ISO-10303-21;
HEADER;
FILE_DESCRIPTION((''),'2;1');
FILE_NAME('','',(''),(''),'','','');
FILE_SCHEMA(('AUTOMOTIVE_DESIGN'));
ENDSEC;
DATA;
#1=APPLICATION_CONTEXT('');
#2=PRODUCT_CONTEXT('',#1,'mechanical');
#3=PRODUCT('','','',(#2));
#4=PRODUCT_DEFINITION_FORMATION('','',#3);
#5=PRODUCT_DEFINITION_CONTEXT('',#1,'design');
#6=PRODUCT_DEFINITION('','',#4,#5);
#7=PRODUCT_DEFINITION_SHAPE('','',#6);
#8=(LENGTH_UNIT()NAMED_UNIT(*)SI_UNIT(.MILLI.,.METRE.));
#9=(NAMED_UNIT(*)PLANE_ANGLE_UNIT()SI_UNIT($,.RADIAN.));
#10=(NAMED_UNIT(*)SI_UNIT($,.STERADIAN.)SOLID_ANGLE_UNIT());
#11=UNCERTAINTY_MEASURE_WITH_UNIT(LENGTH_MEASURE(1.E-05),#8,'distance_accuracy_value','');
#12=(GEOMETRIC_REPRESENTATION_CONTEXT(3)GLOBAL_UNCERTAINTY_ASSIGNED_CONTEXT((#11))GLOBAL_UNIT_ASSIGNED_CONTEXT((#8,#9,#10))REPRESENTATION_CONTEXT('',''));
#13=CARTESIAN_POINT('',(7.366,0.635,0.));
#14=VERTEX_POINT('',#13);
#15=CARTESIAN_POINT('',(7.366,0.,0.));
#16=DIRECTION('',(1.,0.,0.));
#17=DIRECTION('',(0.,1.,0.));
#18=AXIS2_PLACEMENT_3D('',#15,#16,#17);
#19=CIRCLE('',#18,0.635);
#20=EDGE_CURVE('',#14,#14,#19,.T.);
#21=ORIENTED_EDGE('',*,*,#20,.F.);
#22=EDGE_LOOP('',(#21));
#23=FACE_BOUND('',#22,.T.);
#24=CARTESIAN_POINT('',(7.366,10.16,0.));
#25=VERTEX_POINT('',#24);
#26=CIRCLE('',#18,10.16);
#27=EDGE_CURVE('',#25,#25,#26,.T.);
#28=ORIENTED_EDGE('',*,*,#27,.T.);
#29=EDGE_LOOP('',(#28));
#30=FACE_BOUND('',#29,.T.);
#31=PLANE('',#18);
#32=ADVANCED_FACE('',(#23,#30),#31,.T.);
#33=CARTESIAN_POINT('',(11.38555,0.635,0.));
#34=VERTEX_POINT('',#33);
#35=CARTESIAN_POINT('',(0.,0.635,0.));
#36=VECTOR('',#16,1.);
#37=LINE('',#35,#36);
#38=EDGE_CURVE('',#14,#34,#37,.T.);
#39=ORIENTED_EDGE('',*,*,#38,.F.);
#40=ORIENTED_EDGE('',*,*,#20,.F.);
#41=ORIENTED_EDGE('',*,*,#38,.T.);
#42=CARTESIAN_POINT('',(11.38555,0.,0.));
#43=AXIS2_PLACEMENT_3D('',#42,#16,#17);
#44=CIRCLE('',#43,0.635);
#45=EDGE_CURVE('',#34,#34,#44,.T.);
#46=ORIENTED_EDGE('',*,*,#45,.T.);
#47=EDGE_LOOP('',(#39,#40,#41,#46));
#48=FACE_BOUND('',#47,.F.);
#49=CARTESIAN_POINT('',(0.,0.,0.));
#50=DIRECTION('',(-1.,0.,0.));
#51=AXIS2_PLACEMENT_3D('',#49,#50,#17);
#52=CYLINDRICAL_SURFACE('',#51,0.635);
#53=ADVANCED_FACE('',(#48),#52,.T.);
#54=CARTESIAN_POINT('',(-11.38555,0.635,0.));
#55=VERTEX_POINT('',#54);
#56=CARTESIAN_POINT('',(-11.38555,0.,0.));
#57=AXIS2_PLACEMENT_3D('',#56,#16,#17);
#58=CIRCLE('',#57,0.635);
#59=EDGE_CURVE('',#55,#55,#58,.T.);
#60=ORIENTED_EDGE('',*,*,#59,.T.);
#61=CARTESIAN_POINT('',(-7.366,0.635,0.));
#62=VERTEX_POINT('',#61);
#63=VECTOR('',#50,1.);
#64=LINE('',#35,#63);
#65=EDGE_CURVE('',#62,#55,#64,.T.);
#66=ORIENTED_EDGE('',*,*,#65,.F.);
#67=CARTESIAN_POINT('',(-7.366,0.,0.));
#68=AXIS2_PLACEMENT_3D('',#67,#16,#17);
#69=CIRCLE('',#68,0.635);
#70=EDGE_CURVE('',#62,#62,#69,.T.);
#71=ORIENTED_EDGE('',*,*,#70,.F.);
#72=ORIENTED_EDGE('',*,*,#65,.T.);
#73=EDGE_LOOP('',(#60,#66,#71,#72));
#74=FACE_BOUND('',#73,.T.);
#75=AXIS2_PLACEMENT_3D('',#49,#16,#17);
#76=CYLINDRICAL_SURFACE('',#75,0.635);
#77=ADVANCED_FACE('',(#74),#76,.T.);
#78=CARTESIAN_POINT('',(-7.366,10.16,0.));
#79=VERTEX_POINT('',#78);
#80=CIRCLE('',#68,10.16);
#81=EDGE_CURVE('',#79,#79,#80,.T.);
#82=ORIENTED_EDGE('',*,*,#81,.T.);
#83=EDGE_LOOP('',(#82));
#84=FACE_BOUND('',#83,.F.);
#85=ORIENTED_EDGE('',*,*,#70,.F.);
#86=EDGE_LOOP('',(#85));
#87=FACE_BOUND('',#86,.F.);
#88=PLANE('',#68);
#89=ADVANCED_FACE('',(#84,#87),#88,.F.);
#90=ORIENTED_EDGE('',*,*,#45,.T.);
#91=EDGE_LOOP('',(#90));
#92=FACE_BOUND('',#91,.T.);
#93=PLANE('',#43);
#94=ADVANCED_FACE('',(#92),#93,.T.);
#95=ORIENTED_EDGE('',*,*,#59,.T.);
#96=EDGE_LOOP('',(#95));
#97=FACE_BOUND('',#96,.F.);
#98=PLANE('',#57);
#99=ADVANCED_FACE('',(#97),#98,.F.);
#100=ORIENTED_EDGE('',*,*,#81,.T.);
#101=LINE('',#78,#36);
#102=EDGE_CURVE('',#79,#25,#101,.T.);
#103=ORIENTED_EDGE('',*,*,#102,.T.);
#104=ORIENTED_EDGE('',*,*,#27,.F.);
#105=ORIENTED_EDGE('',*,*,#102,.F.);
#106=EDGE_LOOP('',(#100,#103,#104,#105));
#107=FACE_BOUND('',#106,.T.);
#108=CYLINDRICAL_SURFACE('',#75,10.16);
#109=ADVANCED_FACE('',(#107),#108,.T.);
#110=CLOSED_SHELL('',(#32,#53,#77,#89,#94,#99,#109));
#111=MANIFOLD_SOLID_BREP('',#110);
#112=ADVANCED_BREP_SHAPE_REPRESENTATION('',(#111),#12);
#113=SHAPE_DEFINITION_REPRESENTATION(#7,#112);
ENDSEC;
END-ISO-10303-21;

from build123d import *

# Parameters (mm, degrees)
F0_R          = 10.16
F0_R_2        = 0.635
F1_DEPTH      = 7.366
F1_DEPTH_BACK = 7.366
F2_DEPTH      = 11.38555
F2_DEPTH_BACK = 11.38555


with BuildPart() as f1:
    # F0 (on Right) → F1 (new body, two sides)
    with BuildSketch(Plane.YZ) as f1_sk:
        Circle(F0_R)
        Circle(F0_R_2, mode=Mode.SUBTRACT)
    extrude(amount=F1_DEPTH)
    extrude(f1_sk.sketch, amount=-F1_DEPTH_BACK)

    # F0 (on Right) → F2 (join, two sides)
    with BuildSketch(Plane.YZ) as f2_sk:
        Circle(F0_R_2)
    extrude(amount=F2_DEPTH)
    extrude(f2_sk.sketch, amount=-F2_DEPTH_BACK)


solid = f1.part
